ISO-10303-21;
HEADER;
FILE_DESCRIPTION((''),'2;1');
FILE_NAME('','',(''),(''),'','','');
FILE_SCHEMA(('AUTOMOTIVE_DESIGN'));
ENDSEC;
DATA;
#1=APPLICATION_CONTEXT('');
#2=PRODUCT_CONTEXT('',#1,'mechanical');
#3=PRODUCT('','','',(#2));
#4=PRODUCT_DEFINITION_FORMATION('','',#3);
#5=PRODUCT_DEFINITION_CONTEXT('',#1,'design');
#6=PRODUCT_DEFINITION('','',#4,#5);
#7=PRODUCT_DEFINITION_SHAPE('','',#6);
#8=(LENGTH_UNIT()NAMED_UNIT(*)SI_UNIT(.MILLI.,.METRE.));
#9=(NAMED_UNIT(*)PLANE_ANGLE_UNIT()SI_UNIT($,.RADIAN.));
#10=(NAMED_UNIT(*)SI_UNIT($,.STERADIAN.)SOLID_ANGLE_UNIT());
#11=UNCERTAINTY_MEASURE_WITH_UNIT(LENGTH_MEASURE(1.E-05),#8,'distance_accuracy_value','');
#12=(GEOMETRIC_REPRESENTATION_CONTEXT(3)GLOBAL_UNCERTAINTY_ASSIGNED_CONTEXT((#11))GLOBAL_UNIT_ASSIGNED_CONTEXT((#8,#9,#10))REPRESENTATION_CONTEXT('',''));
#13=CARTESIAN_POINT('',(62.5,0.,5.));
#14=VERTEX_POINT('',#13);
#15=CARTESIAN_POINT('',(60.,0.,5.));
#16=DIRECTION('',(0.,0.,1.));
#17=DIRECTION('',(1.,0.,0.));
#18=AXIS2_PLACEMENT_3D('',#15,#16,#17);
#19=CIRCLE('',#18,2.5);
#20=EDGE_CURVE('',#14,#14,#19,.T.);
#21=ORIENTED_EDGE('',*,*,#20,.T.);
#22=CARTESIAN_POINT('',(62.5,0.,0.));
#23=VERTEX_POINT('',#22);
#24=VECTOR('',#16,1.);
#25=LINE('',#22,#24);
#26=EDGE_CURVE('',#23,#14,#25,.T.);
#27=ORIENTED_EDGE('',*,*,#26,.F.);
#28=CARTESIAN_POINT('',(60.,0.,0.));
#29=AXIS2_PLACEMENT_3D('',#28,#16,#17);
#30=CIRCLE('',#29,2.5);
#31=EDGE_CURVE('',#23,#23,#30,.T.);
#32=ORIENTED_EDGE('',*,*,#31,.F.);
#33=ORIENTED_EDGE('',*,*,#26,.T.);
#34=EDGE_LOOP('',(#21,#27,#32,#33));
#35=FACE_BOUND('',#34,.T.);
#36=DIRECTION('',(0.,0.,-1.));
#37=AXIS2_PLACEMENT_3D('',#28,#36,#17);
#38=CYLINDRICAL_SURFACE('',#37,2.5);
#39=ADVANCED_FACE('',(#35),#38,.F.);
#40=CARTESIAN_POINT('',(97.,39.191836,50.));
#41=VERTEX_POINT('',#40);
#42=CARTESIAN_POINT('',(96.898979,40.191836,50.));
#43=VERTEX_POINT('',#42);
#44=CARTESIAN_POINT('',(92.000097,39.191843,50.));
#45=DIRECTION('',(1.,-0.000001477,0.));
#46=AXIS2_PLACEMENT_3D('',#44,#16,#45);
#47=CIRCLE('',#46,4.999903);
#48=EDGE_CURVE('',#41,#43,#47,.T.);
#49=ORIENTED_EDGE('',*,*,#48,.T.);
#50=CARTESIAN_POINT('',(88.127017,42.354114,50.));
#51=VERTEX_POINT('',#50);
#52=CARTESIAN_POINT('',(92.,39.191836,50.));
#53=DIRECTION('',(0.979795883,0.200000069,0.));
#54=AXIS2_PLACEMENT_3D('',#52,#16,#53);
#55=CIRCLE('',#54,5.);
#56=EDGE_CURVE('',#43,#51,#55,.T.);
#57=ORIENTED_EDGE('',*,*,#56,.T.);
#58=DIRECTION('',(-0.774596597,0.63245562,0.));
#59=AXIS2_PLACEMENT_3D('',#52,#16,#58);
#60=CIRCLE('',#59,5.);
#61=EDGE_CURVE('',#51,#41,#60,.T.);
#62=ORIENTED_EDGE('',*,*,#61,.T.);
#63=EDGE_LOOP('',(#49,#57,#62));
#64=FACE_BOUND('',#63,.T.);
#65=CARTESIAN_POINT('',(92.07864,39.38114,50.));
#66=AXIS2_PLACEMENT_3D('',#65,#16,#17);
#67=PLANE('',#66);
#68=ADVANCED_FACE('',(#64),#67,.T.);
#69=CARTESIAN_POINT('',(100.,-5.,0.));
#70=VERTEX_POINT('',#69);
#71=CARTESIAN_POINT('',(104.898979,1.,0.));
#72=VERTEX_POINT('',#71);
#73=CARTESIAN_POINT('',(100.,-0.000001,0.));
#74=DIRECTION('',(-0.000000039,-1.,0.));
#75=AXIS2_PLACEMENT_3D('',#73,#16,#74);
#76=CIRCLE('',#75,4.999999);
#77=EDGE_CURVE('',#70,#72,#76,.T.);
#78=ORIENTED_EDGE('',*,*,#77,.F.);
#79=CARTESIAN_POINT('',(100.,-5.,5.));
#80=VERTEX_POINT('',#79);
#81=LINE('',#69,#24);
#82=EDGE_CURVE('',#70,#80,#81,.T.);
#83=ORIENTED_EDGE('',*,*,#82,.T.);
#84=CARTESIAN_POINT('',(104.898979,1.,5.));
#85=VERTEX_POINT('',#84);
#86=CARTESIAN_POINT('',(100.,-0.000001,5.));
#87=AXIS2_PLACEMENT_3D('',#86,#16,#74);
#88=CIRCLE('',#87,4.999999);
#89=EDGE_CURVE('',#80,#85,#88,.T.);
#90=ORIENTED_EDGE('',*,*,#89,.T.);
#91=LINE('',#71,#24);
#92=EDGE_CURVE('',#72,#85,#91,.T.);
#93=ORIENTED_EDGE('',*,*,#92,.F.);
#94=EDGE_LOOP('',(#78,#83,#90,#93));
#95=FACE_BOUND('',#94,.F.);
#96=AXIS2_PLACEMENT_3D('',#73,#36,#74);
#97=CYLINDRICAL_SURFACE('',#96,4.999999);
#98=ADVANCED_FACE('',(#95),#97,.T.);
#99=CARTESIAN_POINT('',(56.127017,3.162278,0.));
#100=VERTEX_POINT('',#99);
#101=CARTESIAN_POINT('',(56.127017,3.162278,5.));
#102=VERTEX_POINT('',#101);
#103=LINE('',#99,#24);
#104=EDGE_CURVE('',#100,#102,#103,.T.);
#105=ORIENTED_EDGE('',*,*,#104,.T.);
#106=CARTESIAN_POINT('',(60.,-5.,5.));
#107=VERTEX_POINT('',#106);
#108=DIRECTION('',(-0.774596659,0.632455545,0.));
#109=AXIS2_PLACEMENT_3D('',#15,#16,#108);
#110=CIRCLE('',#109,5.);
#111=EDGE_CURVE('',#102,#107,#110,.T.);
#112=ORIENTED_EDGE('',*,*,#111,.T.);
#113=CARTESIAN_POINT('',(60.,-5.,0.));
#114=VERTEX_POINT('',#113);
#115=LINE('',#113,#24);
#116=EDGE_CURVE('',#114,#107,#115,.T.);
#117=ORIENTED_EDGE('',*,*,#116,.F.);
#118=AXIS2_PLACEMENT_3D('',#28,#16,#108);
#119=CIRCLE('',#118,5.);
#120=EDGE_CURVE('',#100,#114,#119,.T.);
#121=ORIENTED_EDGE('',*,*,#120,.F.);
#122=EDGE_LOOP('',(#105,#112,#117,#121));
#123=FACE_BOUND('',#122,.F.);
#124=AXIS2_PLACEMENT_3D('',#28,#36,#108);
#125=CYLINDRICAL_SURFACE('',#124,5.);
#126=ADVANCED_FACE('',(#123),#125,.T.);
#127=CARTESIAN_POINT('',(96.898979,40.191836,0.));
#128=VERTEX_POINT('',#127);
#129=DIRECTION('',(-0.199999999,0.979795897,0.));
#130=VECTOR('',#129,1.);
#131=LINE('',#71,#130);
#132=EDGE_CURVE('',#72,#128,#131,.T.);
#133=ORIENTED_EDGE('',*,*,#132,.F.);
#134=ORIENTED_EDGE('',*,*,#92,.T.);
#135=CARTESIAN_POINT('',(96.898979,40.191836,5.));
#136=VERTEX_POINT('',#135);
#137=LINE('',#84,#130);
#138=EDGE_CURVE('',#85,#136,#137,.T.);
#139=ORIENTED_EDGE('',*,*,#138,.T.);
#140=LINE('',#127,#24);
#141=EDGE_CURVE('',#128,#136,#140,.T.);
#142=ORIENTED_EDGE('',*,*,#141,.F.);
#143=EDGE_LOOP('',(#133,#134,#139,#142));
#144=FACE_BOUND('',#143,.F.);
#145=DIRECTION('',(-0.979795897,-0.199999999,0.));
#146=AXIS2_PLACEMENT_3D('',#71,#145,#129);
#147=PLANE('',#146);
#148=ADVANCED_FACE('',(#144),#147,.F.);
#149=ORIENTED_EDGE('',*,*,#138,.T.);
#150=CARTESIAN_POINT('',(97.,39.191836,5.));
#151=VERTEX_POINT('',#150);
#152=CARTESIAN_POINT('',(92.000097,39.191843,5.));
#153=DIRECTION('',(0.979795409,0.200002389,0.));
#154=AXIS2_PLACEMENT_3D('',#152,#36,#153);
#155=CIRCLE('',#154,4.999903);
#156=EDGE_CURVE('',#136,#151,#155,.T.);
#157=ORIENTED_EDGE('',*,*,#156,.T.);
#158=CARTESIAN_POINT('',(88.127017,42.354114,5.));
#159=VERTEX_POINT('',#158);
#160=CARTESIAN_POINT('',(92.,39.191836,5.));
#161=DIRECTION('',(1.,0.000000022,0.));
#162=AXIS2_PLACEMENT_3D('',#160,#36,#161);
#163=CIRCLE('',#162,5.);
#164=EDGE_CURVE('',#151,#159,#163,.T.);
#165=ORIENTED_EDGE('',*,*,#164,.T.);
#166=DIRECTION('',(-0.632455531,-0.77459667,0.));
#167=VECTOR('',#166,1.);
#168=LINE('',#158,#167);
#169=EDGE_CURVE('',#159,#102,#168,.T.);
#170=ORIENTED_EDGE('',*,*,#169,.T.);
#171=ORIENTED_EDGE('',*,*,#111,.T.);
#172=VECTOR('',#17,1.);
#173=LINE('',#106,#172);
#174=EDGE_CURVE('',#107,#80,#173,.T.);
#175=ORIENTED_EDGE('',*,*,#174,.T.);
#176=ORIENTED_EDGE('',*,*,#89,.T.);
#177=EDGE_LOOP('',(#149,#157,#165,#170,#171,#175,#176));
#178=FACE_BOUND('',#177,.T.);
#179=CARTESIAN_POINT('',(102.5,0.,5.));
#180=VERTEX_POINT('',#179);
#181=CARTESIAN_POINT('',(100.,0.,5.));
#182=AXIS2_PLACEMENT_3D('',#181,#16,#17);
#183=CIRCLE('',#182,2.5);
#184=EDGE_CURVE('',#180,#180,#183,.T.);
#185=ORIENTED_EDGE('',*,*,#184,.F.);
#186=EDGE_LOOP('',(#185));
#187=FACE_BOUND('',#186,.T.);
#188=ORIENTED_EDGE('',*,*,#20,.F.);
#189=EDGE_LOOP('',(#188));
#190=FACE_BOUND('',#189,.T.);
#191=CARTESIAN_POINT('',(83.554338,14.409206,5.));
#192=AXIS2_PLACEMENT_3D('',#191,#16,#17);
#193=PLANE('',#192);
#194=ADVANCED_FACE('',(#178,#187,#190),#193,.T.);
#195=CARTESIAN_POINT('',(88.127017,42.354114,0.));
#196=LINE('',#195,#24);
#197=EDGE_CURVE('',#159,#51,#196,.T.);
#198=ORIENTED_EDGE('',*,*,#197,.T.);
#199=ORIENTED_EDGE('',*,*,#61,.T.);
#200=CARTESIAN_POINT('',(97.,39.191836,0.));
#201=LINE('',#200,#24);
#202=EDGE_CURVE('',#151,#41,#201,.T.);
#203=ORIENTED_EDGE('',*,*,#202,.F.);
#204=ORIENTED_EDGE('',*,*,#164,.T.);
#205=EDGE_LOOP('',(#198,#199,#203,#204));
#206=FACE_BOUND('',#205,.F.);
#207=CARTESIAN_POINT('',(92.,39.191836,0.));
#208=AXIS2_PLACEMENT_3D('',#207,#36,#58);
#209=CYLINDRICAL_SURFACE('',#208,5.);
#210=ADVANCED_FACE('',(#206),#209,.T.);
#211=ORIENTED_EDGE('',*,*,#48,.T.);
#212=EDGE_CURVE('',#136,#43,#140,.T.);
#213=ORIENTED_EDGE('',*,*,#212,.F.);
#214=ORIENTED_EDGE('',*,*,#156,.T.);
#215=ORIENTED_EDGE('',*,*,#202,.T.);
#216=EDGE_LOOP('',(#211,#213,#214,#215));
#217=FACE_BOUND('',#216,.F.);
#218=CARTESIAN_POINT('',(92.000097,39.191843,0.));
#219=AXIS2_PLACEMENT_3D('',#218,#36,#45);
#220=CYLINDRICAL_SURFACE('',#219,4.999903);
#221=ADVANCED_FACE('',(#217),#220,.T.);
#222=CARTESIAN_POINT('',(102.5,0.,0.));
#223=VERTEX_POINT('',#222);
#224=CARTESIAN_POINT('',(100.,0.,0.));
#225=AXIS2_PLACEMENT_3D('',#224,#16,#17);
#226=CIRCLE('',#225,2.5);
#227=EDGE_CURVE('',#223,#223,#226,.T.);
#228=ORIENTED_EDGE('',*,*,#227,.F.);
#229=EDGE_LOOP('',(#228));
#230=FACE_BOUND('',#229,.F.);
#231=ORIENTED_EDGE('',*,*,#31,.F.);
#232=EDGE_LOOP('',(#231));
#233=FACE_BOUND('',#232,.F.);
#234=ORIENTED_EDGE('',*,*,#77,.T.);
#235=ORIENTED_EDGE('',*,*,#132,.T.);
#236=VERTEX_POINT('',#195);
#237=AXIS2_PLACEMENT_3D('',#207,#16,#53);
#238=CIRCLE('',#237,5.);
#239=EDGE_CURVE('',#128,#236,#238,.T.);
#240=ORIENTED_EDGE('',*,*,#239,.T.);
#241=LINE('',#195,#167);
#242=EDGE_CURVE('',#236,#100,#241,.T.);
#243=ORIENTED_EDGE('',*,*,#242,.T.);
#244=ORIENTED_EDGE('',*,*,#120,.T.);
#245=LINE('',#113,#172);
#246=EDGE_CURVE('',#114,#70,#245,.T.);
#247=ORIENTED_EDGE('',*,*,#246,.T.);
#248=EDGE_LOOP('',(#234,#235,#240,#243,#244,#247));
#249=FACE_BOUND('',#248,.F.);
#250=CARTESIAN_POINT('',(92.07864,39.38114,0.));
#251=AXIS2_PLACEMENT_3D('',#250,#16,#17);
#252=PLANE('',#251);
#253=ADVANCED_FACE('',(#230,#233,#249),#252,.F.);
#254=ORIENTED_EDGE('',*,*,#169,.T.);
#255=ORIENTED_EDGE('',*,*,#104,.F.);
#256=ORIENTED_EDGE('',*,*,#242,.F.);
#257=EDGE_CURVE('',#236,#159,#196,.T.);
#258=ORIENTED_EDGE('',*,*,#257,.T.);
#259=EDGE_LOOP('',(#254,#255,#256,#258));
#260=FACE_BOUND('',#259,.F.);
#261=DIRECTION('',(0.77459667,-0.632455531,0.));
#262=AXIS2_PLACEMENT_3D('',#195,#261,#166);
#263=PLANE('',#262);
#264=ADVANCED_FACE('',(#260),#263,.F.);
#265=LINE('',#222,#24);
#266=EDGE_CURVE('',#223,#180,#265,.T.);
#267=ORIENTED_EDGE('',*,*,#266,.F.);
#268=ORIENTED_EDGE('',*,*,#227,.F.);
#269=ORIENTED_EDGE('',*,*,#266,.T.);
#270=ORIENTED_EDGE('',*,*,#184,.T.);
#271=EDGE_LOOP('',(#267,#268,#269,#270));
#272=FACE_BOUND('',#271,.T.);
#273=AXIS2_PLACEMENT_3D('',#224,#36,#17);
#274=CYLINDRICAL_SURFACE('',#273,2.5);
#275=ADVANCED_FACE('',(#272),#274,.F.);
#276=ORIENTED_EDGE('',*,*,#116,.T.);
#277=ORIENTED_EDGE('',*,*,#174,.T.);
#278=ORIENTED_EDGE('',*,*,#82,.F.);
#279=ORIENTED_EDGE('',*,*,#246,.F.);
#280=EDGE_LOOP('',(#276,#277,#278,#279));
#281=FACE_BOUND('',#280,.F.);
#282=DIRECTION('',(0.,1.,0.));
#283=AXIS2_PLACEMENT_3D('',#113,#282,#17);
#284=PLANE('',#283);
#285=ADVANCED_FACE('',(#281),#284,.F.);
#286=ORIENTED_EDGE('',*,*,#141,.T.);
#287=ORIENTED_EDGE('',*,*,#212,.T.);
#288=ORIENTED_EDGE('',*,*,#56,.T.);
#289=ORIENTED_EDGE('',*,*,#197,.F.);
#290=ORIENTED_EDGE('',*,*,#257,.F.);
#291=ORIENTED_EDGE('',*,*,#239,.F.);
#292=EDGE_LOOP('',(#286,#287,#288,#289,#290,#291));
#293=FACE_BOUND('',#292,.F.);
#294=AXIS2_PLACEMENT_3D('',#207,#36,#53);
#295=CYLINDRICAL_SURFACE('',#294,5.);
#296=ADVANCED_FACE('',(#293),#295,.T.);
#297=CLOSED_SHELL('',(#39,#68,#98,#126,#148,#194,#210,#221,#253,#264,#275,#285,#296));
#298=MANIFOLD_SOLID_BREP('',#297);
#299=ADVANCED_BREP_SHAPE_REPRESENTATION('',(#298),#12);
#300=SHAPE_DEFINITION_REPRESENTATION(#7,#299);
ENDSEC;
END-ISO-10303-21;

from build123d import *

# Parameters (mm, degrees)
F0_R     = 2.5
F1_DEPTH = 5
F2_DEPTH = 50


with BuildPart() as f1:
    # F0 (on Top) → F1 (new body)
    with BuildSketch(Plane.XY):
        with BuildLine():
            Line((60, -5), (100, -5))
            ThreePointArc((100, -5), (103.872983, -3.162278), (104.898979, 1))
            Line((104.898979, 1), (96.898979, 40.191836))
            ThreePointArc((96.898979, 40.191836), (96.974681, 39.694381), (97, 39.191836))
            ThreePointArc((97, 39.191836), (90.321447, 34.48201), (88.127017, 42.354114))
            Line((88.127017, 42.354114), (56.127017, 3.162278))
            ThreePointArc((56.127017, 3.162278), (55.482734, -2.143433), (60, -5))
        make_face()
        with Locations((60, 0)):
            Circle(F0_R, mode=Mode.SUBTRACT)
        with Locations((100, 0)):
            Circle(F0_R, mode=Mode.SUBTRACT)
    extrude(amount=F1_DEPTH)

    # F0 (on Top) → F2 (join)
    with BuildSketch(Plane.XY):
        with BuildLine():
            ThreePointArc((97, 39.191836), (96.974681, 39.694381), (96.898979, 40.191836))
            ThreePointArc((96.898979, 40.191836), (93.196674, 44.046521), (88.127017, 42.354114))
            ThreePointArc((88.127017, 42.354114), (90.321447, 34.48201), (97, 39.191836))
        make_face()
    extrude(amount=F2_DEPTH)


solid = f1.part
